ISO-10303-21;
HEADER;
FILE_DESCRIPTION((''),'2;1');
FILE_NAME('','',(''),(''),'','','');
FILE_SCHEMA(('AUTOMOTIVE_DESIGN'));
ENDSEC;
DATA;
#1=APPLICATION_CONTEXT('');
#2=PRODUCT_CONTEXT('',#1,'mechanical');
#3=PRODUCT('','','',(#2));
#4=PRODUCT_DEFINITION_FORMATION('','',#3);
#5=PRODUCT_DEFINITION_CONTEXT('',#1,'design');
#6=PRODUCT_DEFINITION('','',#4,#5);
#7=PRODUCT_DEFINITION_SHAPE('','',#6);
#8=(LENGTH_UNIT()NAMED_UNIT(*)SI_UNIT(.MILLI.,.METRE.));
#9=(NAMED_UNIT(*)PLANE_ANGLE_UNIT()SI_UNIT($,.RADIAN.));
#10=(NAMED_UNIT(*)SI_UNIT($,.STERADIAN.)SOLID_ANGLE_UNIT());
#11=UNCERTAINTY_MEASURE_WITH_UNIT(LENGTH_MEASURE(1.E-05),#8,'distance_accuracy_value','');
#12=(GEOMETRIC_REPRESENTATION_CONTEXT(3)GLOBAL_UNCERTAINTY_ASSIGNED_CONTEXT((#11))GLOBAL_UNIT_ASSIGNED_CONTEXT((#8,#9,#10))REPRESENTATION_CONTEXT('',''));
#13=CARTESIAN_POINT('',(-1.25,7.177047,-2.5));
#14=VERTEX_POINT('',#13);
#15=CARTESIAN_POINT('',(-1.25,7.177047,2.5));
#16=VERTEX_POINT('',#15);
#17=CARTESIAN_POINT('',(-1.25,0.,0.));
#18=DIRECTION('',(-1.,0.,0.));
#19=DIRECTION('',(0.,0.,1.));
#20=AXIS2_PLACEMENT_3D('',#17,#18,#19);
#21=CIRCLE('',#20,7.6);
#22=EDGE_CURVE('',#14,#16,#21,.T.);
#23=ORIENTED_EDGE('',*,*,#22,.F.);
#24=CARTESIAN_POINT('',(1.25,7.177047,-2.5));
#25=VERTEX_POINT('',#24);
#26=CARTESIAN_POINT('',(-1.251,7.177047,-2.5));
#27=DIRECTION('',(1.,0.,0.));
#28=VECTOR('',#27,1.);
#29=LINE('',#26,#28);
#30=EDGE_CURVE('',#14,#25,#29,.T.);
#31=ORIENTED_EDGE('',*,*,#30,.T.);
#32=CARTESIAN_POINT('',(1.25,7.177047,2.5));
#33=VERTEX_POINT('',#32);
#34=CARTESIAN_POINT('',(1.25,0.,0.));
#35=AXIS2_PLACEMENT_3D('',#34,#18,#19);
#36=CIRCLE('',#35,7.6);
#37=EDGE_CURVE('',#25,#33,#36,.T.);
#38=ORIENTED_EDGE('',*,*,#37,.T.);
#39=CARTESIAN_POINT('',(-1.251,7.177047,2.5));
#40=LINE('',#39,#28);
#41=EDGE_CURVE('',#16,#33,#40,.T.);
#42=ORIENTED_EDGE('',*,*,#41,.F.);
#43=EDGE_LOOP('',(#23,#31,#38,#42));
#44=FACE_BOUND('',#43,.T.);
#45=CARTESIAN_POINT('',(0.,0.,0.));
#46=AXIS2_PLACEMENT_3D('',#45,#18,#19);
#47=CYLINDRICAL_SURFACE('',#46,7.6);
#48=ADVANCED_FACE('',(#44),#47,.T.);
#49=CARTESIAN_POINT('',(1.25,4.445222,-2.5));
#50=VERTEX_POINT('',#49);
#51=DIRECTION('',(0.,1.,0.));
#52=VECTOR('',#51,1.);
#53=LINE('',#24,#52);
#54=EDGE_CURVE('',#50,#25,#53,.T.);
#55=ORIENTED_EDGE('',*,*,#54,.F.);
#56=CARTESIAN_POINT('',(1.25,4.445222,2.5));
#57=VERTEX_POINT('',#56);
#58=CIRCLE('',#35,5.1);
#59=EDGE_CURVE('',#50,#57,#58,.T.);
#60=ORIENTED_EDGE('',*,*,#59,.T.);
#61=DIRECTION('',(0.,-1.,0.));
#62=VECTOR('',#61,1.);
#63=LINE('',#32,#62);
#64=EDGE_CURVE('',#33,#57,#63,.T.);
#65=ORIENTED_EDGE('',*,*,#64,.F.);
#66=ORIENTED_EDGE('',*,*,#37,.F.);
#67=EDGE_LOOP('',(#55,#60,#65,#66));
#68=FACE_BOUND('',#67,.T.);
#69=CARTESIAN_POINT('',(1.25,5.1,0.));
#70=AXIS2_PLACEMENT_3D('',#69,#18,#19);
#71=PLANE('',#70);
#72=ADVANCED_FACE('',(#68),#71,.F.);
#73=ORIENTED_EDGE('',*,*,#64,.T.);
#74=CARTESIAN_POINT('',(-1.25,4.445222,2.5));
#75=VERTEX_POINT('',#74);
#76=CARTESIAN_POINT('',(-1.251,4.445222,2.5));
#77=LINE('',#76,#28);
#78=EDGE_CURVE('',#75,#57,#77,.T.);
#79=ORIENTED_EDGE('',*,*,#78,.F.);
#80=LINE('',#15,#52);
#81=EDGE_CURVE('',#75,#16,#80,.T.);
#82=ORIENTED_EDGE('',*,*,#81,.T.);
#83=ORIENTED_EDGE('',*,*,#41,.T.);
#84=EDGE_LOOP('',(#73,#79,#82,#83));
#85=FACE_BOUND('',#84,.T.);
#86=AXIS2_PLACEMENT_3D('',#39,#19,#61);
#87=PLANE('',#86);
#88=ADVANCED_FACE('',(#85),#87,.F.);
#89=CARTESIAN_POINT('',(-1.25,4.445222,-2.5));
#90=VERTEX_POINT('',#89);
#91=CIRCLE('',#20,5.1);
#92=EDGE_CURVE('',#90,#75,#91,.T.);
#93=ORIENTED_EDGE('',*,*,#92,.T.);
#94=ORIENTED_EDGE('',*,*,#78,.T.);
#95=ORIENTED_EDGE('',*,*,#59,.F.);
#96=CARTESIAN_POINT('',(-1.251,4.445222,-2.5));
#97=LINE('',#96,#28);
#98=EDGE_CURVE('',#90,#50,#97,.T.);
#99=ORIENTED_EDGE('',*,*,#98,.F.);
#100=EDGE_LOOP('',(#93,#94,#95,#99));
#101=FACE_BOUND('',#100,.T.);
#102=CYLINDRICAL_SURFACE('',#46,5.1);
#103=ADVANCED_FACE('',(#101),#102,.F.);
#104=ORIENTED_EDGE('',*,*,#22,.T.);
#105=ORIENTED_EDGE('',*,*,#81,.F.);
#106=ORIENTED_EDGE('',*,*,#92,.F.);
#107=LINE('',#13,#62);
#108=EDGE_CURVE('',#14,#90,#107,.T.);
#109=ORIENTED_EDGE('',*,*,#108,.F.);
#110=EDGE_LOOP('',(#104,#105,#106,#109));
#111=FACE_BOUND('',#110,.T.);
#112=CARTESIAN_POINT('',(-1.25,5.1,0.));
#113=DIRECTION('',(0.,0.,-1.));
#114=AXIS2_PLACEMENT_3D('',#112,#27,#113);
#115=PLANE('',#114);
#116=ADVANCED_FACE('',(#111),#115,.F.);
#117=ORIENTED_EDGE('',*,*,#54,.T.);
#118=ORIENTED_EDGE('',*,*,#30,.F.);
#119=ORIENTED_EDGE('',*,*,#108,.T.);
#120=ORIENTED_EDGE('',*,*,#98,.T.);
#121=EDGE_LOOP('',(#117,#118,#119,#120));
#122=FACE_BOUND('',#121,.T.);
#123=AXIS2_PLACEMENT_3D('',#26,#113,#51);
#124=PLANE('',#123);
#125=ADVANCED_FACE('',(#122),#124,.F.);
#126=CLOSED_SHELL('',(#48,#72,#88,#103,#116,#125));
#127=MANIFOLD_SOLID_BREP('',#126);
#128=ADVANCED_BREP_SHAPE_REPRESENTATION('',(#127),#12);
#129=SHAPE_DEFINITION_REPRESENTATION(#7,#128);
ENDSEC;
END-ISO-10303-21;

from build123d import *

# Parameters (mm, degrees)
SKETCH1_W          = 2.5
SKETCH1_H          = 2.5
CUT_EXTRUDE1_REACH = 13.035


with BuildPart() as part:
    # Sketch1 → Revolve1 (revolve)
    with BuildSketch(Plane.XY, mode=Mode.PRIVATE) as revolve1_sk:
        with Locations((0, 6.35)):
            Rectangle(SKETCH1_W, SKETCH1_H)
    revolve(revolve1_sk.sketch.rotate(Axis((0, 0, 0), (1, 0, 0)), 90), axis=Axis((0, 0, 0), (1, 0, 0)))

    # Sketch2 → Cut-Extrude1 (cut, up to next)
    with BuildSketch(Plane(origin=(1.25, 0, 0), x_dir=(0, 0, -1), z_dir=(1, 0, 0)), mode=Mode.PRIVATE) as cut_extrude1_sk1:
        with BuildLine():
            Line((-2.5, 7.177046746), (-2.5, 4.445222154))
            ThreePointArc((-2.5, 4.445222154), (0, 5.1), (2.5, 4.445222154))
            Line((2.5, 4.445222154), (2.5, 7.177046746))
            ThreePointArc((2.5, 7.177046746), (0, 7.6), (-2.5, 7.177046746))
        make_face()
    cut_extrude1_tool1 = extrude(cut_extrude1_sk1.sketch, amount=-CUT_EXTRUDE1_REACH, mode=Mode.PRIVATE) & part.part
    add(cut_extrude1_tool1.solids().sort_by_distance((1.25, 6.169958, 0))[0], mode=Mode.SUBTRACT)


solid = part.part
